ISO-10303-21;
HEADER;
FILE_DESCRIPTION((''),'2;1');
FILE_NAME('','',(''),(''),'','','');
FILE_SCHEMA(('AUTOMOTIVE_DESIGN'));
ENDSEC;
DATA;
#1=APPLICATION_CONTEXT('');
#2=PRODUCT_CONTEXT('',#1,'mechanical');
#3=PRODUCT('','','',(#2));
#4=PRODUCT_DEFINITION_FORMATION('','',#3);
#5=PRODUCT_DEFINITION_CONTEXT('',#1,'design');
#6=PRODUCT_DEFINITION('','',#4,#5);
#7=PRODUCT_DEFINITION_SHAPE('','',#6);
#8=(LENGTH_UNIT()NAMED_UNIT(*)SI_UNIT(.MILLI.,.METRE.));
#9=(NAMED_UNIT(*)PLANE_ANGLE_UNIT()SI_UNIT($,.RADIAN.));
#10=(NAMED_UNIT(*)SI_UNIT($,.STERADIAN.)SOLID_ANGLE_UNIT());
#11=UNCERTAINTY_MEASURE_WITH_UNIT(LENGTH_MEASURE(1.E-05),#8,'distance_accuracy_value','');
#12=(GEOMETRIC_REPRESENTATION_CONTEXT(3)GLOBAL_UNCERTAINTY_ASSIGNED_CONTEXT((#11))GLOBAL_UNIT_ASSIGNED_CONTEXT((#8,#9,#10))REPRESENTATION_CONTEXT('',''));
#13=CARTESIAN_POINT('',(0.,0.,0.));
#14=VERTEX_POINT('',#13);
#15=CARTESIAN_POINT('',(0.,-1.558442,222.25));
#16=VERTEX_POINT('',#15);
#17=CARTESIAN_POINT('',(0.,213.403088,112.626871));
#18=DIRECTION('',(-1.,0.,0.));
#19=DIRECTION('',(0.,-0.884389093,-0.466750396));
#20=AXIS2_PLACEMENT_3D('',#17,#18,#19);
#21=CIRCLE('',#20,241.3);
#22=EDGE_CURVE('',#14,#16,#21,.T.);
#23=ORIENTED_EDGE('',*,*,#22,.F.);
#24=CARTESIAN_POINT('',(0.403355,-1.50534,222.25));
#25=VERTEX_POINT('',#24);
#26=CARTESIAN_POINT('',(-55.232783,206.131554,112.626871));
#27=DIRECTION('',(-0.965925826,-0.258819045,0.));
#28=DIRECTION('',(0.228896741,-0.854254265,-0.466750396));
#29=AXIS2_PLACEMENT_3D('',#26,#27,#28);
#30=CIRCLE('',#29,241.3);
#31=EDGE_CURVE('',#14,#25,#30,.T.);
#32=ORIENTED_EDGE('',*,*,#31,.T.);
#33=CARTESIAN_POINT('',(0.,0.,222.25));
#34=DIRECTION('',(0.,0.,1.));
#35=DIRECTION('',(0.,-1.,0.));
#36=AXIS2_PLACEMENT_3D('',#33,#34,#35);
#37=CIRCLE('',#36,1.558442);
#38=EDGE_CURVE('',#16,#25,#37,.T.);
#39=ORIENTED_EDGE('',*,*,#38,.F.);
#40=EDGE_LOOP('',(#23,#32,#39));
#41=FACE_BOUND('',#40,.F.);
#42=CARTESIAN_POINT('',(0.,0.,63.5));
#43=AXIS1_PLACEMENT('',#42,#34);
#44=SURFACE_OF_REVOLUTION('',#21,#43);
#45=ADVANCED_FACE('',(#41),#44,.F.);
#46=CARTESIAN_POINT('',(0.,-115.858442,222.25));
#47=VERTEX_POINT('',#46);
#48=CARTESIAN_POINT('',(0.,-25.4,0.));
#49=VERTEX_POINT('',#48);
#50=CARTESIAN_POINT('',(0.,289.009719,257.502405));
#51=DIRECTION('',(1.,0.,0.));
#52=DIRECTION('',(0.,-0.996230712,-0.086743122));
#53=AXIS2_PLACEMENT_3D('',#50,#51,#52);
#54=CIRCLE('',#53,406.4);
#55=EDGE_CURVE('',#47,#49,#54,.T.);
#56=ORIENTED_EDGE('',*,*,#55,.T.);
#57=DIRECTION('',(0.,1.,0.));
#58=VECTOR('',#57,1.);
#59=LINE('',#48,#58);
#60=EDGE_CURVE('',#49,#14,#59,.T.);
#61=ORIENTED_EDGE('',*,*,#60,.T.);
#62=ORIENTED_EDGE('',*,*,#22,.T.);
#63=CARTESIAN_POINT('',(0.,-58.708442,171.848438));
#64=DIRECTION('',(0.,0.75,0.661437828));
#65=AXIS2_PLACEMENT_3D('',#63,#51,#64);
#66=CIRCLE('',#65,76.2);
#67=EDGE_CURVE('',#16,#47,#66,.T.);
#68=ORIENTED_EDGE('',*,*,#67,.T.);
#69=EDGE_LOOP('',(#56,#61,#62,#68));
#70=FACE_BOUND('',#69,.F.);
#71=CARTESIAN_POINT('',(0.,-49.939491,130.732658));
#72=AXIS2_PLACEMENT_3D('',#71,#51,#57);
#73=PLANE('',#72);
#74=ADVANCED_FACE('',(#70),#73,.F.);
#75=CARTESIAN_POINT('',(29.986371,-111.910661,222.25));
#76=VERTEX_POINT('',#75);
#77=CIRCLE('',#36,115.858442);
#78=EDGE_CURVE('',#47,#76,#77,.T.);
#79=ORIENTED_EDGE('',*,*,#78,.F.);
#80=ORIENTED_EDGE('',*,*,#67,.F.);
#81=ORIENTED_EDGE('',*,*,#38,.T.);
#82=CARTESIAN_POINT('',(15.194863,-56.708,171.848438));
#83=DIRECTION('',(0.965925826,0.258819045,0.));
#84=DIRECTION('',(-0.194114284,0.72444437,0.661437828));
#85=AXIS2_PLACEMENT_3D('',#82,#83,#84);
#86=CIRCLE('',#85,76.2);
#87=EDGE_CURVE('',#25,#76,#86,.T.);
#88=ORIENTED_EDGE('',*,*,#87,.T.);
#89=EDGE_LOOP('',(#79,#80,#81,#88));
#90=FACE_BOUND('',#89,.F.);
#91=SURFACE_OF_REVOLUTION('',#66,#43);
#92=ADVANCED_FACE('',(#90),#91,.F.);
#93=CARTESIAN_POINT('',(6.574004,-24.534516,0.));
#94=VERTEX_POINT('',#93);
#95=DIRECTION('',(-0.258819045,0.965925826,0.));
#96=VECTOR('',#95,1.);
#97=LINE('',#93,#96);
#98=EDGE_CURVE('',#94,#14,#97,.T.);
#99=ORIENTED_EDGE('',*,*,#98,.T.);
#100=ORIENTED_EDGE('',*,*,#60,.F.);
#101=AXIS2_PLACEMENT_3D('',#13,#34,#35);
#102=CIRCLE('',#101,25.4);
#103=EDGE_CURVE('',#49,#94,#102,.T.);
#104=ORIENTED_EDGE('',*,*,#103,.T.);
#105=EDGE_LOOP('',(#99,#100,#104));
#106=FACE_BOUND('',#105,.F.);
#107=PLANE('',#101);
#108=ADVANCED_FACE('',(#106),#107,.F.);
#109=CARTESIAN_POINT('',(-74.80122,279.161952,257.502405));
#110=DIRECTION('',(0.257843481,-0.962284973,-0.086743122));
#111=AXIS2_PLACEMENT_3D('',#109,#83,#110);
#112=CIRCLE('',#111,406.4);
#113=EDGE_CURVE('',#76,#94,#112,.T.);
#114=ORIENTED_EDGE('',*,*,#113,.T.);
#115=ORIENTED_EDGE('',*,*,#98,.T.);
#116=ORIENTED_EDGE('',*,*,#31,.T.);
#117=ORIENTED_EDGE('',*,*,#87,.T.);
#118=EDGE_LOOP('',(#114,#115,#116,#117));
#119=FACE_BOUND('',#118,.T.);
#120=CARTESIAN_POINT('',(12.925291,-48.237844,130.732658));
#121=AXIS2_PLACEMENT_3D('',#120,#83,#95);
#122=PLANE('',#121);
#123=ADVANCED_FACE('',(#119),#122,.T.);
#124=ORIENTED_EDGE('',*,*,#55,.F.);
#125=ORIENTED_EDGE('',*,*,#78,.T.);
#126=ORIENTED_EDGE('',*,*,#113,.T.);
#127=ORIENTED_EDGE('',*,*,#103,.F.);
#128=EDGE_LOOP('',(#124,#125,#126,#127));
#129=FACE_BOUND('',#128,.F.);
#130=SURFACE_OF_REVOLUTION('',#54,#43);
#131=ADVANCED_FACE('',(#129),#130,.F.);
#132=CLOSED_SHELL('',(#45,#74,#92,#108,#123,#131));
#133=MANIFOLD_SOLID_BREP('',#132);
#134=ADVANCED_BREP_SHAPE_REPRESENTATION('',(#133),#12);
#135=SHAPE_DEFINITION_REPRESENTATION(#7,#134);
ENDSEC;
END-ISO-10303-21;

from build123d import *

# Parameters (mm, degrees)
F2_ANGLE = 15


with BuildPart() as f2:
    # F0 (on Right) → F2 (revolve)
    with BuildSketch(Plane.YZ):
        with BuildLine():
            ThreePointArc((-1.5584421286, 222.25), (-58.7084421286, 248.0484375242), (-115.8584421286, 222.25))
            ThreePointArc((-115.8584421286, 222.25), (-87.4061850656, 104.296572431), (-25.4, 0))
            Line((-25.4, 0), (0, 0))
            ThreePointArc((0, 0), (-27.890979755, 110.9348892827), (-1.5584421286, 222.25))
        make_face()
    revolve(axis=Axis((0, 0, 63.5), (0, 0, 1)), revolution_arc=F2_ANGLE)


solid = f2.part
